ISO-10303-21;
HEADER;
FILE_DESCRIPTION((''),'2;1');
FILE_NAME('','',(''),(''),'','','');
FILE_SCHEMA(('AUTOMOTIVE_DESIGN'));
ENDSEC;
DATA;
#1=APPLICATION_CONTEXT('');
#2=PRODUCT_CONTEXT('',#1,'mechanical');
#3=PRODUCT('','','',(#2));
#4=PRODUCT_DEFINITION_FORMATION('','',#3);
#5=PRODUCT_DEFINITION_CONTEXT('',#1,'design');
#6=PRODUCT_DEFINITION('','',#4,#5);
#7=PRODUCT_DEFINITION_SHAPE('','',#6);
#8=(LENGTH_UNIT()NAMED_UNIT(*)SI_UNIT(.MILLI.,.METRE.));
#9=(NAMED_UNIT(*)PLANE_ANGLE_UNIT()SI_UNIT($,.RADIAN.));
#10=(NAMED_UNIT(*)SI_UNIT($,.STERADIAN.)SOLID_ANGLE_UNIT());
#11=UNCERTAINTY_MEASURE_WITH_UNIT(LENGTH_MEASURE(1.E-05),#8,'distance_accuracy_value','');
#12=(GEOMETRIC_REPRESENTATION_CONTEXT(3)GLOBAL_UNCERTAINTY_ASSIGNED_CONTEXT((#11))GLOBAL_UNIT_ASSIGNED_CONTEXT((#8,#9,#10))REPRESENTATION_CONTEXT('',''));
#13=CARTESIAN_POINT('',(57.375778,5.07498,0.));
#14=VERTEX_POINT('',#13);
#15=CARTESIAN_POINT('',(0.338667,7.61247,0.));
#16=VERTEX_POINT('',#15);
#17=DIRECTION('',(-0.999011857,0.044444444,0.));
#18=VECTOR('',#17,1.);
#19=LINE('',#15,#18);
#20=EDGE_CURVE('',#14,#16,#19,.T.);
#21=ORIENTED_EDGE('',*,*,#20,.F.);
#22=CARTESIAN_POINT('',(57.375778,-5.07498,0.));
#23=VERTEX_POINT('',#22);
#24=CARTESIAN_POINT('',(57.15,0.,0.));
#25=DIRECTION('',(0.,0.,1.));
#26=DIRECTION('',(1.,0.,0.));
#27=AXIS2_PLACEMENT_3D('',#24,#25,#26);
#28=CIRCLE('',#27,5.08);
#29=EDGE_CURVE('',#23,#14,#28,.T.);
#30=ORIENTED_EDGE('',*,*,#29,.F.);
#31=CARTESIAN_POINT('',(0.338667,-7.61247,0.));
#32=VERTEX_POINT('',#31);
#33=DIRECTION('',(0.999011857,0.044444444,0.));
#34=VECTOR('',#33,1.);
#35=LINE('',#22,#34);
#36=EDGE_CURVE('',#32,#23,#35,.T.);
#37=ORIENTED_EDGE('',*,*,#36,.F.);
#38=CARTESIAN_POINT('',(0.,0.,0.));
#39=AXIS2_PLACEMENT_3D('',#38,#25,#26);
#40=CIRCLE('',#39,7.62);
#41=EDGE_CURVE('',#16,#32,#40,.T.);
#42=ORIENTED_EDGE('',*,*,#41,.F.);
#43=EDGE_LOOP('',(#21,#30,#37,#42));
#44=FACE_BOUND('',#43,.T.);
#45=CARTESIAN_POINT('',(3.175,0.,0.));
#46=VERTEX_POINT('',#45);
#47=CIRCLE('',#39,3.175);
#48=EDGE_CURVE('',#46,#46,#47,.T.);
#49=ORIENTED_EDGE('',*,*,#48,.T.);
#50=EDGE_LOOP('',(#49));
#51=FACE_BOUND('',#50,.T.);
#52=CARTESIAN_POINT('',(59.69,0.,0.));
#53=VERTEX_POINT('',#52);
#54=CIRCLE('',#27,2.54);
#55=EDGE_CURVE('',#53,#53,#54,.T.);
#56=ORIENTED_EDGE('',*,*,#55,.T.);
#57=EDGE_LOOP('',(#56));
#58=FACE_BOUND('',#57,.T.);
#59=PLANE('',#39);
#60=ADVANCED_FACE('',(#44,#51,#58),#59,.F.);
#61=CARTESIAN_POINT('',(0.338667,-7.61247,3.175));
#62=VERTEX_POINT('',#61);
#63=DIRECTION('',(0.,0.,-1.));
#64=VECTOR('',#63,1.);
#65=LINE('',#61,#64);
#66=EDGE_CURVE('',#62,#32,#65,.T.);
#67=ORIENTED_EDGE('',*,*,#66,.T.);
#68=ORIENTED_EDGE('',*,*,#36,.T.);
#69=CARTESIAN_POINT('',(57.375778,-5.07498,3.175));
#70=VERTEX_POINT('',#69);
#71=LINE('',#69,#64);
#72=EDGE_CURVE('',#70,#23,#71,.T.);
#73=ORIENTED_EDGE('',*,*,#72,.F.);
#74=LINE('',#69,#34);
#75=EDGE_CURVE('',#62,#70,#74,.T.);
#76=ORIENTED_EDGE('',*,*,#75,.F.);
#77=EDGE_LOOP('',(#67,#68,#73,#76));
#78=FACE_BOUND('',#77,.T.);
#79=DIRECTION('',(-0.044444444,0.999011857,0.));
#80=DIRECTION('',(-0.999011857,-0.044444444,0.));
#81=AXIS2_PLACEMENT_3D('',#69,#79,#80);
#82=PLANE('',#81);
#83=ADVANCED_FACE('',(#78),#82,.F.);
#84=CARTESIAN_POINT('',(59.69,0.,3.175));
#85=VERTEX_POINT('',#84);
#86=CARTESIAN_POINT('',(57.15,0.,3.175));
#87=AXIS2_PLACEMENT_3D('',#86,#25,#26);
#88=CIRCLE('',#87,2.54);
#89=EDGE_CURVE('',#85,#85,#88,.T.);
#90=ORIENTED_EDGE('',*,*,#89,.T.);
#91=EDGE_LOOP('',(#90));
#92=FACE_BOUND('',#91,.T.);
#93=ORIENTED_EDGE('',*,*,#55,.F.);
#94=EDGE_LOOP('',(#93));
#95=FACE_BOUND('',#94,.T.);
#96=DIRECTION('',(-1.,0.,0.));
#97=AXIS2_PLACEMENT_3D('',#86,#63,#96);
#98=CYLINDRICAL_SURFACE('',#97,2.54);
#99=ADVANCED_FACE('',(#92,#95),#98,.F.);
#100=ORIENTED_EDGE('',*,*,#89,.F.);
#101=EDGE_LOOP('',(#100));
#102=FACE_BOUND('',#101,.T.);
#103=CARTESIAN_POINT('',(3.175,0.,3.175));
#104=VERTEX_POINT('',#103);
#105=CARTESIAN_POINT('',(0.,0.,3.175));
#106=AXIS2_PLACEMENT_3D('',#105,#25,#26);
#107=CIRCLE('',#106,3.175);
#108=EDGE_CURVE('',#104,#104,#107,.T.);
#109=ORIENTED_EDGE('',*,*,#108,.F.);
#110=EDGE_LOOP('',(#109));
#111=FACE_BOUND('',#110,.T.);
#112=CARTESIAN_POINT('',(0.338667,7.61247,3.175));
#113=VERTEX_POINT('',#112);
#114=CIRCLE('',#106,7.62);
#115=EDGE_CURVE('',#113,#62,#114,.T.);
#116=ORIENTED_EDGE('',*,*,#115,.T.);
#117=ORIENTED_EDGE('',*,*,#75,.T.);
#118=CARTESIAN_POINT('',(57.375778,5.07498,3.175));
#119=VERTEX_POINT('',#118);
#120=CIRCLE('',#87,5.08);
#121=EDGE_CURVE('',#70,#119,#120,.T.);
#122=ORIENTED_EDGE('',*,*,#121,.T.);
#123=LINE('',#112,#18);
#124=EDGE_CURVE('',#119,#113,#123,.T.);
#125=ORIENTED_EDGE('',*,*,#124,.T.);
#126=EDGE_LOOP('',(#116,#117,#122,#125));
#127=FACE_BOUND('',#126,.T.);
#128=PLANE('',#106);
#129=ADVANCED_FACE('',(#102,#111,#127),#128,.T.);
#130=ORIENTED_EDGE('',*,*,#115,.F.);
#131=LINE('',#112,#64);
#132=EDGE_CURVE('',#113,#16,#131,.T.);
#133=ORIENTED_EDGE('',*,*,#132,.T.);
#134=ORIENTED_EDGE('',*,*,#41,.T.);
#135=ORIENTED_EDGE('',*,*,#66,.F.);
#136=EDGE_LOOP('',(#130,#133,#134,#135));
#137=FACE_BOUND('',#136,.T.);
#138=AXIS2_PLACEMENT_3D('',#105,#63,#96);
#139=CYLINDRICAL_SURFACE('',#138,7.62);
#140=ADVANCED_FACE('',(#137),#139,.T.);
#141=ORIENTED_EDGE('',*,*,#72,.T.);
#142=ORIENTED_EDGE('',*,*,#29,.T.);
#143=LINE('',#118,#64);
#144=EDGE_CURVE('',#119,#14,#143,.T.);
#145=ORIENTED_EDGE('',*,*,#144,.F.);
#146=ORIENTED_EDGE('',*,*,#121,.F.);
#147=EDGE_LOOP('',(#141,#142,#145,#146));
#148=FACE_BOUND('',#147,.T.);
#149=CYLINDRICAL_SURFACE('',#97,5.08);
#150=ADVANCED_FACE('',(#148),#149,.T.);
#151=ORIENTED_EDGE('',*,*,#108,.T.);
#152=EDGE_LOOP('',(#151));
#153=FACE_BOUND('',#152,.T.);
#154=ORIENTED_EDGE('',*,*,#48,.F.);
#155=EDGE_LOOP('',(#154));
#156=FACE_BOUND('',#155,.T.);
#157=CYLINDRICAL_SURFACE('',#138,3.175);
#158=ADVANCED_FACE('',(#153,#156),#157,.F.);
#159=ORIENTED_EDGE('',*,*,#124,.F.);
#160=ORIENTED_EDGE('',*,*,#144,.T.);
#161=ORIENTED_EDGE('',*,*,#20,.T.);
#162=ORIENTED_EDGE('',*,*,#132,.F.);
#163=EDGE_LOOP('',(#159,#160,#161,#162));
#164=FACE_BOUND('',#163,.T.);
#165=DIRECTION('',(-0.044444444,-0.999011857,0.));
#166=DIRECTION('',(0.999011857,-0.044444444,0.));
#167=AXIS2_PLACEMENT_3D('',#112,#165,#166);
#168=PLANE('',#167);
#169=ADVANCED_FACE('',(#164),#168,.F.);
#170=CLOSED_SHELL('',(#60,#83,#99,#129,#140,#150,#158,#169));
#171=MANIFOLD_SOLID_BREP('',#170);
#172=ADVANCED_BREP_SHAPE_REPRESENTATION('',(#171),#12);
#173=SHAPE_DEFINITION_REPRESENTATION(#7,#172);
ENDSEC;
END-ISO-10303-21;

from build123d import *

# Parameters (mm, degrees)
SKETCH1_R           = 3.175
SKETCH1_R_2         = 2.54
BOSS_EXTRUDE1_DEPTH = 3.175


with BuildPart() as part:
    # Sketch1 → Boss-Extrude1 (new body)
    with BuildSketch(Plane.XY):
        with BuildLine():
            Line((0.338666667, 7.612470354), (57.375777778, 5.074980236))
            ThreePointArc((57.375777778, 5.074980236), (62.23, 0), (57.375777778, -5.074980236))
            Line((57.375777778, -5.074980236), (0.338666667, -7.612470354))
            ThreePointArc((0.338666667, -7.612470354), (-7.62, 0), (0.338666667, 7.612470354))
        make_face()
        Circle(SKETCH1_R, mode=Mode.SUBTRACT)
        with Locations((57.15, 0)):
            Circle(SKETCH1_R_2, mode=Mode.SUBTRACT)
    extrude(amount=BOSS_EXTRUDE1_DEPTH)


solid = part.part
